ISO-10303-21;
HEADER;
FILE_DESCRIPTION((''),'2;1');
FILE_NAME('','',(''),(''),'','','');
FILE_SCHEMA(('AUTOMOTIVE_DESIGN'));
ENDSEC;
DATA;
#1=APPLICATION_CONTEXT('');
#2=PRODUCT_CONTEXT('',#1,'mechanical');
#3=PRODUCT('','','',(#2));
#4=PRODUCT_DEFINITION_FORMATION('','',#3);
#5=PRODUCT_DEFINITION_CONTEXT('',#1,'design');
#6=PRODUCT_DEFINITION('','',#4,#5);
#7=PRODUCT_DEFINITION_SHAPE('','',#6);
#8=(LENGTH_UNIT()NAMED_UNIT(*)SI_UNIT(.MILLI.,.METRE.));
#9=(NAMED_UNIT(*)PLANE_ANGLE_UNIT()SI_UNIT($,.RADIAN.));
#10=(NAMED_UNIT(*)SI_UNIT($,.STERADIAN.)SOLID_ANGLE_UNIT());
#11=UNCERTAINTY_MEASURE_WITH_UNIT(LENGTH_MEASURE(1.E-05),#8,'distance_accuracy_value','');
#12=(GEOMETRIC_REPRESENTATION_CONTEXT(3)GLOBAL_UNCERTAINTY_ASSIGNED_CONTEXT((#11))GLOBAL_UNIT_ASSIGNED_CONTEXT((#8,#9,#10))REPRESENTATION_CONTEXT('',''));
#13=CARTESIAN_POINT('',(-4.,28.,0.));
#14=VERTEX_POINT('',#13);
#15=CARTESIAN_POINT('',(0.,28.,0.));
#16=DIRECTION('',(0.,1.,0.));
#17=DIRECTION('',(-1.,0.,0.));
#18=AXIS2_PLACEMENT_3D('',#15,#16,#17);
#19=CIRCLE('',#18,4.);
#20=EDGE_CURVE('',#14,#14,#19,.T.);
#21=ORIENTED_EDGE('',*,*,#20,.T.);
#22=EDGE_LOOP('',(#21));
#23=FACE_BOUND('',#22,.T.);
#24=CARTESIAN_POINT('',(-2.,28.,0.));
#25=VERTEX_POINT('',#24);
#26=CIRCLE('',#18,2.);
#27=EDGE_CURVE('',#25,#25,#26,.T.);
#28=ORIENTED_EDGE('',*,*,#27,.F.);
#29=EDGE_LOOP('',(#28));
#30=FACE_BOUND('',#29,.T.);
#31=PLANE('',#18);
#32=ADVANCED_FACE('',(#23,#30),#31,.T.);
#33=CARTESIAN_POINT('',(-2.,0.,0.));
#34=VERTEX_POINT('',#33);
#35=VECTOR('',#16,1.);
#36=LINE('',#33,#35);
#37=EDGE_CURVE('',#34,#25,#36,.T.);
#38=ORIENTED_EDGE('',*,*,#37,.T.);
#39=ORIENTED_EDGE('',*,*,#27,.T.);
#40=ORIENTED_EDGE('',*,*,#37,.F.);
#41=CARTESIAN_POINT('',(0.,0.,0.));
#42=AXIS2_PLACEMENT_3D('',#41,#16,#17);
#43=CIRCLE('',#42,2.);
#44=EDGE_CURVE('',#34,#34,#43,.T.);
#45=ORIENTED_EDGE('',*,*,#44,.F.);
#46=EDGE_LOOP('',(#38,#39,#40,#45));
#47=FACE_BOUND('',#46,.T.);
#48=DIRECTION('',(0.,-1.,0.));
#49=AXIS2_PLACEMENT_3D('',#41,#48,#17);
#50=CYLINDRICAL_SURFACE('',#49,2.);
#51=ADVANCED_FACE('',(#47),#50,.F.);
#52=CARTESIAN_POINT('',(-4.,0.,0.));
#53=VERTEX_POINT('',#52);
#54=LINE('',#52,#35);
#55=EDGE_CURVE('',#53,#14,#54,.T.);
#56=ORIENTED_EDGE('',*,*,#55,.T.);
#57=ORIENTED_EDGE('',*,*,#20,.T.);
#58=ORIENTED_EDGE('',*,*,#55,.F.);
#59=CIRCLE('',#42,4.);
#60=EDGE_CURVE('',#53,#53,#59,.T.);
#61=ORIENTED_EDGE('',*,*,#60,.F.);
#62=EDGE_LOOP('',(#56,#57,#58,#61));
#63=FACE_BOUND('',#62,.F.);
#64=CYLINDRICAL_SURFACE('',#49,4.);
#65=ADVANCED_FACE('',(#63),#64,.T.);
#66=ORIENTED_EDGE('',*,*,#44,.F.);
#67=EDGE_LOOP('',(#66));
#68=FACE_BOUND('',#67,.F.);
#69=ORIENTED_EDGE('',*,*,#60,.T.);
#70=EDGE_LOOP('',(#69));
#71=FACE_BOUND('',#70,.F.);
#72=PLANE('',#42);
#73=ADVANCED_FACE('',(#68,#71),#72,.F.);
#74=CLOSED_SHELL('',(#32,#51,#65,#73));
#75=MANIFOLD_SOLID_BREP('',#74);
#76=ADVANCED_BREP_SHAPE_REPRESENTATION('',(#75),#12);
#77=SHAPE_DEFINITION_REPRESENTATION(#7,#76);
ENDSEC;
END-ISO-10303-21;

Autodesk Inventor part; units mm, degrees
ref_plane "YZ Plane" through (0, 0, 0) normal (1, 0, 0) x (0, 1, 0)
ref_plane "XZ Plane" through (0, 0, 0) normal (0, 1, 0) x (-1, 0, 0)
ref_plane "XY Plane" through (0, 0, 0) normal (0, 0, 1) x (1, 0, 0)
sketch "スケッチ1" plane through (0, 0, 0) normal (0, 1, 0) x (-1, 0, 0)
  circle A0 centre (0, 0) radius 2
  circle A1 centre (0, 0) radius 4
  dimension "d0" = 4
  dimension "d1" = 8
extrude "押し出し1" add sketch "スケッチ1" along normal blind 28
properties part number "スペーサーm4,28" material "アルミニウム 2014-T6"
